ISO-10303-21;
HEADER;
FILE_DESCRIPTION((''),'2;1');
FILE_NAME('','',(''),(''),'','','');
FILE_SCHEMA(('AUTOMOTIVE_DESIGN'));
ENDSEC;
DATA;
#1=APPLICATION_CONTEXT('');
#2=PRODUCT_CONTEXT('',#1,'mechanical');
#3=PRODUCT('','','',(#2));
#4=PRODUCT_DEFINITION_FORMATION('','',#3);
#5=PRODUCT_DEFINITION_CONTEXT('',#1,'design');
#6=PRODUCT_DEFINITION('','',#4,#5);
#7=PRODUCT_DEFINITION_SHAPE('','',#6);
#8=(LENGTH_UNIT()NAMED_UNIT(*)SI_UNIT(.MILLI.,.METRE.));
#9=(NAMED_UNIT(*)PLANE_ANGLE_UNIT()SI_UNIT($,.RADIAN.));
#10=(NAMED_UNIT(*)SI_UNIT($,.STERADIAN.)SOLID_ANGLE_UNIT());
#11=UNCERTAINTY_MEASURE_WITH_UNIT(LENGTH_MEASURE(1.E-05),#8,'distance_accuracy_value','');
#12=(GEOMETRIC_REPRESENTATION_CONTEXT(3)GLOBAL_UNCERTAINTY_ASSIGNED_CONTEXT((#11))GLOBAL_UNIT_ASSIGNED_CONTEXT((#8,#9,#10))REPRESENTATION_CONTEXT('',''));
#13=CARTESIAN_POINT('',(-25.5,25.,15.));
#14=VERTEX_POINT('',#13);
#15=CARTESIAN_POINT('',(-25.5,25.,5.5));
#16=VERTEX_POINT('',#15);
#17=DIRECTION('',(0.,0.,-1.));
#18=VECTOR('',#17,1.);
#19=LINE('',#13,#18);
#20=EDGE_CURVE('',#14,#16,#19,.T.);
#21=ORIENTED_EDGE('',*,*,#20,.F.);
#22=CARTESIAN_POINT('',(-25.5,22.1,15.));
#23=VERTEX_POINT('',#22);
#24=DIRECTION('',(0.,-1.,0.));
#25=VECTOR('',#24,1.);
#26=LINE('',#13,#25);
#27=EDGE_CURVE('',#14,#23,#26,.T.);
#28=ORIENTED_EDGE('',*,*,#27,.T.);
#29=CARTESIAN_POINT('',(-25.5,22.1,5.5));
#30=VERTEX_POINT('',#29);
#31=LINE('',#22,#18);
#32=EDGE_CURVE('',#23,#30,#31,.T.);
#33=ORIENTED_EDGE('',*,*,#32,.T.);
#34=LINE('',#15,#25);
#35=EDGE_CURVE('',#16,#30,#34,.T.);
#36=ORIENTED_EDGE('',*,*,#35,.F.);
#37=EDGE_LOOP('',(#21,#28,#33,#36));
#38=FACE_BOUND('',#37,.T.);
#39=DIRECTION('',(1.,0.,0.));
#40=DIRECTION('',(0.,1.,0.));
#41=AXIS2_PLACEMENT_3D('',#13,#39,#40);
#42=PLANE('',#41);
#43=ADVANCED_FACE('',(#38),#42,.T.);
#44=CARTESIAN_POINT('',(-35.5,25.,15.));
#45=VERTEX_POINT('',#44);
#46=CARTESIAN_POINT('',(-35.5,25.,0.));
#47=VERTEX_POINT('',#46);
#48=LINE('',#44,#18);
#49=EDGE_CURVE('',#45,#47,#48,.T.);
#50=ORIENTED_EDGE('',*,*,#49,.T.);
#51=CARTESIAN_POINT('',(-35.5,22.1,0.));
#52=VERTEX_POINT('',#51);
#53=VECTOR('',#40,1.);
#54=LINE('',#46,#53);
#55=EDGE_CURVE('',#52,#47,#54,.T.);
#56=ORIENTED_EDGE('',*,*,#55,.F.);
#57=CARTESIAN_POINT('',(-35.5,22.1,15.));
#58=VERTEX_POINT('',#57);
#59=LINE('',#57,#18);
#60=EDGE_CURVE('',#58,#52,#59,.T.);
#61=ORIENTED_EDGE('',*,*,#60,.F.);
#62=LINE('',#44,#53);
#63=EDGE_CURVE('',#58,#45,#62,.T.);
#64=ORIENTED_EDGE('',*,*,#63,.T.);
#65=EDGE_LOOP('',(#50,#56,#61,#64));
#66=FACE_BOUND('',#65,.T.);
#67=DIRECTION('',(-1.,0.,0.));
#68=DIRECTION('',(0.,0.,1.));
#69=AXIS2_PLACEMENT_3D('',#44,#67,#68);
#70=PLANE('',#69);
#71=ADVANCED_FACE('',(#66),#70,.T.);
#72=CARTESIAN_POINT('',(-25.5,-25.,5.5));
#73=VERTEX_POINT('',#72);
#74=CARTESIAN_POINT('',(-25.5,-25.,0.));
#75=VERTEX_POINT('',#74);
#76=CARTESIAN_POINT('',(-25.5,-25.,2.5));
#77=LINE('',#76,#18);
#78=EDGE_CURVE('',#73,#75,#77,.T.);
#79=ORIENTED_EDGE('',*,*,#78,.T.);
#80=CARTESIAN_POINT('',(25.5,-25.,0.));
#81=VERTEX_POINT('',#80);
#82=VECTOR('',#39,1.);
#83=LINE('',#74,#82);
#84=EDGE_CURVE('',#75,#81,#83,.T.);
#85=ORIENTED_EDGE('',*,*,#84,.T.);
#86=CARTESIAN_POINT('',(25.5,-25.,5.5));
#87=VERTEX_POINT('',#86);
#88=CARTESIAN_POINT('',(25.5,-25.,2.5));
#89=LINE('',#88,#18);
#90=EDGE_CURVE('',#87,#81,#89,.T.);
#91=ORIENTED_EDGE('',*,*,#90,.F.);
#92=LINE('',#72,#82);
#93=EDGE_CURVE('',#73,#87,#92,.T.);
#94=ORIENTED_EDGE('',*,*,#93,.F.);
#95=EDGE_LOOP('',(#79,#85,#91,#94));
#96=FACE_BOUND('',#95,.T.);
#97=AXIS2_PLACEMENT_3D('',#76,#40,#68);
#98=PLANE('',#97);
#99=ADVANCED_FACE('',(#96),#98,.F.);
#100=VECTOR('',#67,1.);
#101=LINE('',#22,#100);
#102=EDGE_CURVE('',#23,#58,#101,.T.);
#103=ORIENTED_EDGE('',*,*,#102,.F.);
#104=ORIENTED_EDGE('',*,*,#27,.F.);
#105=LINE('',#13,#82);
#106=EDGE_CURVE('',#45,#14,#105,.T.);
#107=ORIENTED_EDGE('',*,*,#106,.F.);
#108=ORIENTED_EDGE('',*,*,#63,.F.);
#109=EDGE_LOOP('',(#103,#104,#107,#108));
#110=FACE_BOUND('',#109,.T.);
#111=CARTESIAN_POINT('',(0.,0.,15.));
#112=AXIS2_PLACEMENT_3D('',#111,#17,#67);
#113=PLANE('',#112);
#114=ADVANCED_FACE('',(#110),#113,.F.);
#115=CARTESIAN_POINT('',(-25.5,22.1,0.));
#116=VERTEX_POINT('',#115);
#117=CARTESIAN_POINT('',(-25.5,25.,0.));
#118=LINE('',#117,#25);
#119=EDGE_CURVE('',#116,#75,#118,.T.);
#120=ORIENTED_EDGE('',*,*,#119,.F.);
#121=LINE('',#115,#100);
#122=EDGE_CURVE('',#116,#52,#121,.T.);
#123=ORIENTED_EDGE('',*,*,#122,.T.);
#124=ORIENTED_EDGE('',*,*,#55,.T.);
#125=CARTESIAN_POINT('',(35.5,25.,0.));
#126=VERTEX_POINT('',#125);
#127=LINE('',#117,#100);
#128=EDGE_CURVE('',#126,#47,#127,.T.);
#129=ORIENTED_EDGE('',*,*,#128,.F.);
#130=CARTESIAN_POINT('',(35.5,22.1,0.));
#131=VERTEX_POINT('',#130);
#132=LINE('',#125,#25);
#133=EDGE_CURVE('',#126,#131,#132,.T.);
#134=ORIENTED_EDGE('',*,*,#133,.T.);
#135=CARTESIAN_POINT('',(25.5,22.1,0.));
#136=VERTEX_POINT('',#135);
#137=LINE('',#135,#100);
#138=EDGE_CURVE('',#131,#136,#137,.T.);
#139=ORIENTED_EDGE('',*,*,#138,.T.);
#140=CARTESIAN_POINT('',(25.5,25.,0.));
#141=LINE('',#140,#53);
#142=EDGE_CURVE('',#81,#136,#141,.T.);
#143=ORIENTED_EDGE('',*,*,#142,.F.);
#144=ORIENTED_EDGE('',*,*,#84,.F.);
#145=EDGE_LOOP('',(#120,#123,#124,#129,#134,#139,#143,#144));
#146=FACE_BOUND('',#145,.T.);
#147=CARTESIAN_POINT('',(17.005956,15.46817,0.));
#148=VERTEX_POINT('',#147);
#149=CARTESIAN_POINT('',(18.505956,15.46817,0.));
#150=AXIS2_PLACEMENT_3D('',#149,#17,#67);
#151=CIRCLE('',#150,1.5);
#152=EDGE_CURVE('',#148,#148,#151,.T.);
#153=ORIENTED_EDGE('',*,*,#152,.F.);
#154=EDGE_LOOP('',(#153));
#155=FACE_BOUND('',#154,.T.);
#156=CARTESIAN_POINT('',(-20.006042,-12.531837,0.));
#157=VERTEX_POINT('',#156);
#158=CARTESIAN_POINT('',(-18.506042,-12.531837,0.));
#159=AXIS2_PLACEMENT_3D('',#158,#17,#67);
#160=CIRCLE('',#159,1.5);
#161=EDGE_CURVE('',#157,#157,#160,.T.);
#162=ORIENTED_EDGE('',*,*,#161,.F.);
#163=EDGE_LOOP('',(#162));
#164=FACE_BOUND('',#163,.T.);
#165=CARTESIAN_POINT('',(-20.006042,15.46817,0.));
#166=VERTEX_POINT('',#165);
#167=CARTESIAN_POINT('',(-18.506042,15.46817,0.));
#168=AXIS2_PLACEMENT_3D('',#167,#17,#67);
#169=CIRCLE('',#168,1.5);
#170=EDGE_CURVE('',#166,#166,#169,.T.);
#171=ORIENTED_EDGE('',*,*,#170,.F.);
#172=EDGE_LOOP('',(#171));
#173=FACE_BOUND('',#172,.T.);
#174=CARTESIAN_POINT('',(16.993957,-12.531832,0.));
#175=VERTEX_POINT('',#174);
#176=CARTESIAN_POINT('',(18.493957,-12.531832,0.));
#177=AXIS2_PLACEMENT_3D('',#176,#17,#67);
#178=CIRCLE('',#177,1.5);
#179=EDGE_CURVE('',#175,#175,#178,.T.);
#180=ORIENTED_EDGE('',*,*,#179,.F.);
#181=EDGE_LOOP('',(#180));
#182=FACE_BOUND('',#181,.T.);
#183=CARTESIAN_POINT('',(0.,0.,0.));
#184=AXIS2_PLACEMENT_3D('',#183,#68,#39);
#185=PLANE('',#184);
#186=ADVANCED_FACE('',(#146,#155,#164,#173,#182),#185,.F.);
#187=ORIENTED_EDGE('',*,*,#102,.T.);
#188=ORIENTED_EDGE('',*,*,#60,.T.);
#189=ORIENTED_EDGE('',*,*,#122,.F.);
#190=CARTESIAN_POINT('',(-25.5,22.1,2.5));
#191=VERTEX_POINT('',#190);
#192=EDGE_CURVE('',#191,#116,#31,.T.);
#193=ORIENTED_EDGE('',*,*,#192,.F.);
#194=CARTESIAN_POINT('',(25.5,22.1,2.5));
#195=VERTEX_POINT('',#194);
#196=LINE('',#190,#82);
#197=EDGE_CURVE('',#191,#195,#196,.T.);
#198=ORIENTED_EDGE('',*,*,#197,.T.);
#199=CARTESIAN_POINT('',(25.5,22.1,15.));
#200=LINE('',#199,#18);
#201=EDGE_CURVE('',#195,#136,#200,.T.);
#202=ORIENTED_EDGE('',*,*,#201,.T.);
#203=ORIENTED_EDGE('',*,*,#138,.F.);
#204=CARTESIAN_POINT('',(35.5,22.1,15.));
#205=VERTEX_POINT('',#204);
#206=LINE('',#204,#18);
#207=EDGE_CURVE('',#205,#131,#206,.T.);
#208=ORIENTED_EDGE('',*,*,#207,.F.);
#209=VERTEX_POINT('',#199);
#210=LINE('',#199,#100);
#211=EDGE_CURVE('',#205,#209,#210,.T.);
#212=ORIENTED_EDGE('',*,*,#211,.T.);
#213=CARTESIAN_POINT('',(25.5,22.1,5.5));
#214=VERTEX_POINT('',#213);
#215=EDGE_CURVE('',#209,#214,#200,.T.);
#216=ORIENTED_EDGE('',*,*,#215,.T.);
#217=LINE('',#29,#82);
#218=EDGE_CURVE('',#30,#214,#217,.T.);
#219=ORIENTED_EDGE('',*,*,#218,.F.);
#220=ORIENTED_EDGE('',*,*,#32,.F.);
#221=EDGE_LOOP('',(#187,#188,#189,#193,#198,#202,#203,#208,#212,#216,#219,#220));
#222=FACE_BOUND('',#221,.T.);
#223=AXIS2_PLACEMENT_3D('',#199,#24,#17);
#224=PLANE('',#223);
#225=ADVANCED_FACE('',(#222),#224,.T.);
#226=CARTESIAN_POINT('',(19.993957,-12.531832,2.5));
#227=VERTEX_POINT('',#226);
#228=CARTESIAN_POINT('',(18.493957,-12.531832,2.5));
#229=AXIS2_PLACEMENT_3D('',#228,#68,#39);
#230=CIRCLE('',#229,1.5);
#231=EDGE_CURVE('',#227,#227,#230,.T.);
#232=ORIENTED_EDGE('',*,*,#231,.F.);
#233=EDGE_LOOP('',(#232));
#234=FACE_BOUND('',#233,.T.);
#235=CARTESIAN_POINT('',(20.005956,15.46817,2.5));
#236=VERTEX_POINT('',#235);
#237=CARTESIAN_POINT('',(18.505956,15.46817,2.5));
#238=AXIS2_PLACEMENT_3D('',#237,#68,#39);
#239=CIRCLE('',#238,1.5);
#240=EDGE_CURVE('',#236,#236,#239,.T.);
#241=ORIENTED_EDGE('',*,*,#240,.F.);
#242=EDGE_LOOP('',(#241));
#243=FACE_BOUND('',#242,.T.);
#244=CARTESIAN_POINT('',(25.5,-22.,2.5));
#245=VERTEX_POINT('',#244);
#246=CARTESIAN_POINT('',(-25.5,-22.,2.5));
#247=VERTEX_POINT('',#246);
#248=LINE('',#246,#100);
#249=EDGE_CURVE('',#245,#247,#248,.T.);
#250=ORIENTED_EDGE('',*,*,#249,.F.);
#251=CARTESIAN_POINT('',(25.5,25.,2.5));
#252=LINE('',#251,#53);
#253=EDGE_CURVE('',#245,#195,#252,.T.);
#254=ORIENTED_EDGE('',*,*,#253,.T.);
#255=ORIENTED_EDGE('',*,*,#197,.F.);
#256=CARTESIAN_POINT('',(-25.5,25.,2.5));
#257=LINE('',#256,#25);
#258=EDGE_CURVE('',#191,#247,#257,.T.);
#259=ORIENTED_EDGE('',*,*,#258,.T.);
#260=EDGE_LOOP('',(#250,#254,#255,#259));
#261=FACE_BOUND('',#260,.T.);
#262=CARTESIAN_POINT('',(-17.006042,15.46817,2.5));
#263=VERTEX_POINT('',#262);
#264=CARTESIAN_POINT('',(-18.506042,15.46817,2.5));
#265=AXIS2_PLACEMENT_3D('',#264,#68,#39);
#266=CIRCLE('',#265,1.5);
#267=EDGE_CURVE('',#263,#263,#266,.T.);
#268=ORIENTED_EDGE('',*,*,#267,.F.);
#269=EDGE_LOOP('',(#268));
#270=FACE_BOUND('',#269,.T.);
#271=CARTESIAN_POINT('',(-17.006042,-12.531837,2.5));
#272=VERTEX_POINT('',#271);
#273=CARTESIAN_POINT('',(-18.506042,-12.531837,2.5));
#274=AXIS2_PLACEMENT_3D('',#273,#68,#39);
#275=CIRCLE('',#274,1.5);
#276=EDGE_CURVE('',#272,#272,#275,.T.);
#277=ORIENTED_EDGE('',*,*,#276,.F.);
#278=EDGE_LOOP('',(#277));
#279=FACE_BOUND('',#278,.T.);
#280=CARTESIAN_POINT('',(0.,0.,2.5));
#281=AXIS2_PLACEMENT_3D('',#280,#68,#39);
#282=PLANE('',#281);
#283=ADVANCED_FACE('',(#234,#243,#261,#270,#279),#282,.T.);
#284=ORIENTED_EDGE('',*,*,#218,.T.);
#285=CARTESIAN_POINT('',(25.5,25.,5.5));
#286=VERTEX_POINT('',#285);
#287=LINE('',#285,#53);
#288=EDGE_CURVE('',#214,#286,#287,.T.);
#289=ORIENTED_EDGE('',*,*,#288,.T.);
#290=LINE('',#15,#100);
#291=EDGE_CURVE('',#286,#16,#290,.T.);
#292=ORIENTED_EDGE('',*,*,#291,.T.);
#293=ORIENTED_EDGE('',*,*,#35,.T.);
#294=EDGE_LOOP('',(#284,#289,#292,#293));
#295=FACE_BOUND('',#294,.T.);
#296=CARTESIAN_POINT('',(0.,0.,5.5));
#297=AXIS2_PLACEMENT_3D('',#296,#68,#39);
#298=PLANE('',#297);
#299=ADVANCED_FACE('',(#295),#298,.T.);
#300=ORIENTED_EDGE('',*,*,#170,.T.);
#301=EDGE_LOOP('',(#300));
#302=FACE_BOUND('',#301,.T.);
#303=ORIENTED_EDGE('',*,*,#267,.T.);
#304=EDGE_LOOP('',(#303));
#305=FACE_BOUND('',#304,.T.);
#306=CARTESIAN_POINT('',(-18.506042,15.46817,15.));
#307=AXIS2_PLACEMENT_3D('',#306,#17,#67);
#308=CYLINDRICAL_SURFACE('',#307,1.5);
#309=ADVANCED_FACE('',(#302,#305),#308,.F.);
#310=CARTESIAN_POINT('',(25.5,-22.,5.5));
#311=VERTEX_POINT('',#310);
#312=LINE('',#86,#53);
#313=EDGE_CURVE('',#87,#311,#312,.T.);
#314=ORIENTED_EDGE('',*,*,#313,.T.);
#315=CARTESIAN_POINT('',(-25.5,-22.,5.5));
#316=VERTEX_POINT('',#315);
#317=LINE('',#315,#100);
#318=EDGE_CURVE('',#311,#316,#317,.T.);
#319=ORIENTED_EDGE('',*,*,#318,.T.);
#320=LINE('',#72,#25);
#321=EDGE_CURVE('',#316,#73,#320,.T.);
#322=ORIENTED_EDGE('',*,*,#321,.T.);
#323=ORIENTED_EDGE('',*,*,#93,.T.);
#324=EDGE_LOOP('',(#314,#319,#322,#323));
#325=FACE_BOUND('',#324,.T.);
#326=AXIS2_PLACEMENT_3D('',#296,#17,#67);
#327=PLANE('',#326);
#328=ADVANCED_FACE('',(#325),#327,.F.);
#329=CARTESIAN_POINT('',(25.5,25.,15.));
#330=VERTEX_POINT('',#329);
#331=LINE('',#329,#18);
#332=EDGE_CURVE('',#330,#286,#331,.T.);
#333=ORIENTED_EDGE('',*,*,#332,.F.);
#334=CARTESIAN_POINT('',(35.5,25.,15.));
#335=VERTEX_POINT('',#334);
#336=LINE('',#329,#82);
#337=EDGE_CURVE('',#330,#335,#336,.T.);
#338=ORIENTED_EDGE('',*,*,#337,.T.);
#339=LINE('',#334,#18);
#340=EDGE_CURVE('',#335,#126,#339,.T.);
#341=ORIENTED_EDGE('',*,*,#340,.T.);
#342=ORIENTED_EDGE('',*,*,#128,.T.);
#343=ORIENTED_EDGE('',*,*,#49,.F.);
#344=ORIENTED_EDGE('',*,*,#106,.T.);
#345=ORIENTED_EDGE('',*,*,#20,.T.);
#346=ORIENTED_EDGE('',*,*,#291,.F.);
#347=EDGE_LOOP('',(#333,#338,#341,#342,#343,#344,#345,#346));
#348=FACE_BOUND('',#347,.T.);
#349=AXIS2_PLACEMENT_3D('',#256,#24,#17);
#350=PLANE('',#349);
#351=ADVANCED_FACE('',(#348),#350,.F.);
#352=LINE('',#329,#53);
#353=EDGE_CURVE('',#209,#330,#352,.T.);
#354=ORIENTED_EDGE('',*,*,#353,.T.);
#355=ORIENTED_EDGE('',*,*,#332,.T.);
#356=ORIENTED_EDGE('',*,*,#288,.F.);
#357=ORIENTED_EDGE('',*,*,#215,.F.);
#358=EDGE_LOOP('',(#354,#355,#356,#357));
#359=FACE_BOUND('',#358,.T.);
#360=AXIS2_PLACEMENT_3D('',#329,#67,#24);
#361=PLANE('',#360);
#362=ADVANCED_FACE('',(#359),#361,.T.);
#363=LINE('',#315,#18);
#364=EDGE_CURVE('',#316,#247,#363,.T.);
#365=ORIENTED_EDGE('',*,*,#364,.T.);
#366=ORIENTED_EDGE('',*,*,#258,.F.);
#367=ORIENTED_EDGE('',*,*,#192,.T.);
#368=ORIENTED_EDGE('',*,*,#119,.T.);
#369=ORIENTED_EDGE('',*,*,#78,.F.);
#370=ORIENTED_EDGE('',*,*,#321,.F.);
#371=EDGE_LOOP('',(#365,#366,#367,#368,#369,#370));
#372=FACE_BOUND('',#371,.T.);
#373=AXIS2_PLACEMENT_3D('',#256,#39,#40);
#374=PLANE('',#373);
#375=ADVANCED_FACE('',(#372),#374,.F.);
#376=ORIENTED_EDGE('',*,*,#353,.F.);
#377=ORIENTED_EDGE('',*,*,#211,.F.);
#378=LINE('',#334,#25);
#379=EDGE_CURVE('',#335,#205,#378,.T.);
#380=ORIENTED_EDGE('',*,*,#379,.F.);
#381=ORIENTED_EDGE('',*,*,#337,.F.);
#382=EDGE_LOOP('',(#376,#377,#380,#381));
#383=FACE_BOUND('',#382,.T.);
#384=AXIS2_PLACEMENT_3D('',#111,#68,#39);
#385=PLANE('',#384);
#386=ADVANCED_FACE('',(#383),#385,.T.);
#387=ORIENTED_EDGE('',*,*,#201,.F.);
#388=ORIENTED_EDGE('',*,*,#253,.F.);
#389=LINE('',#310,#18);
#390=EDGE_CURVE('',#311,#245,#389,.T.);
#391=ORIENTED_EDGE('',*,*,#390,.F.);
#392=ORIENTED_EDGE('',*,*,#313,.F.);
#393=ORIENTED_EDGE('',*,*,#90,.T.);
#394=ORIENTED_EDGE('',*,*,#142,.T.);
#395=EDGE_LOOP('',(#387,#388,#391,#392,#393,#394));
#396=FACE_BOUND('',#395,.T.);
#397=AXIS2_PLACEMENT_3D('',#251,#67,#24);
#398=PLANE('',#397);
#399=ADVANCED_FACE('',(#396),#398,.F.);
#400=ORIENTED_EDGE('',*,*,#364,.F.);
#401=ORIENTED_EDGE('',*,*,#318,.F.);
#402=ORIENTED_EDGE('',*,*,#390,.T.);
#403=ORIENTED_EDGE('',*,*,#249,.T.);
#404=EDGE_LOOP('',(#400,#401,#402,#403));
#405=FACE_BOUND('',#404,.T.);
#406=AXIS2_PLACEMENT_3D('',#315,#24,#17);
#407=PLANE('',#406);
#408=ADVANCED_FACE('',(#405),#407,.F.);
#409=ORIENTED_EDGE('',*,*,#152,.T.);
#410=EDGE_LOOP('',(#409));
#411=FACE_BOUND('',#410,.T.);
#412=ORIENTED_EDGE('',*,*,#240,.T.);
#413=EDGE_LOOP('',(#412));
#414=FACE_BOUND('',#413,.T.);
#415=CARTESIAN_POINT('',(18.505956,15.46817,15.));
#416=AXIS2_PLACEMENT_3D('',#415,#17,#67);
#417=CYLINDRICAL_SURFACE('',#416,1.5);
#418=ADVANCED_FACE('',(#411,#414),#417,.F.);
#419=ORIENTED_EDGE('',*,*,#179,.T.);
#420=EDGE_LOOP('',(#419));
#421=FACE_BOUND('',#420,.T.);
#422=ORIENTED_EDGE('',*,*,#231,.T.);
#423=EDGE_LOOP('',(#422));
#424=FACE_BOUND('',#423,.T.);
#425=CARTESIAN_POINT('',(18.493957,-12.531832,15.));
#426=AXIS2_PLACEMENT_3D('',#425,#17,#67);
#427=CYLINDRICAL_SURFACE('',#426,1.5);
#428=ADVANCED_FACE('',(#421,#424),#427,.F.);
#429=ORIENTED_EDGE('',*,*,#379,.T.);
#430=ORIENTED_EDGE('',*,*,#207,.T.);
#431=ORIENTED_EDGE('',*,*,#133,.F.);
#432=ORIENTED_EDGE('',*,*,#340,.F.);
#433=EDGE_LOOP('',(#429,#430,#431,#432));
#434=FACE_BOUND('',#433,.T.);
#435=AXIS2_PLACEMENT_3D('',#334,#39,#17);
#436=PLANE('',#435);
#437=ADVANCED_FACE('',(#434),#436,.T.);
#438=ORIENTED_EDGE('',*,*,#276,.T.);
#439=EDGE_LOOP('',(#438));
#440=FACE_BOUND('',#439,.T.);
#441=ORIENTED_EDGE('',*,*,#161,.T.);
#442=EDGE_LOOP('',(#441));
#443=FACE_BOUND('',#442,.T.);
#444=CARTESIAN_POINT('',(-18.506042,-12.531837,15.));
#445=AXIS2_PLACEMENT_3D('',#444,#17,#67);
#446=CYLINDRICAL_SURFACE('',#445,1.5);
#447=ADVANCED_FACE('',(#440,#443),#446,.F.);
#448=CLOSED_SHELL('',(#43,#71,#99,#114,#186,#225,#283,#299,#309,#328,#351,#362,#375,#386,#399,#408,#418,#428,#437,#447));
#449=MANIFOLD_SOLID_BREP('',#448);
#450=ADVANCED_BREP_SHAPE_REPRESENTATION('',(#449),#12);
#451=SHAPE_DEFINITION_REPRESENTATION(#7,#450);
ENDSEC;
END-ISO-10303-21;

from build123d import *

# Parameters (mm, degrees)
ESQUISSE1_W             = 51
ESQUISSE1_H             = 50
BOSS_EXTRU_1_DEPTH      = 2.5
ESQUISSE2_W             = 10
ESQUISSE2_H             = 2.9
BOSS_EXTRU_2_DEPTH      = 15
ESQUISSE3_W             = 51
ESQUISSE3_H             = 2.9
ESQUISSE3_H_2           = 3
BOSS_EXTRU_3_DEPTH      = 3
ESQUISSE4_R             = 1.5
ENL_V_MAT_EXTRU_1_DEPTH = 46.937457483


with BuildPart() as part:
    # Esquisse1 → Boss.-Extru.1 (new body)
    with BuildSketch(Plane.XY):
        Rectangle(ESQUISSE1_W, ESQUISSE1_H)
    extrude(amount=BOSS_EXTRU_1_DEPTH)

    # Esquisse2 → Boss.-Extru.2 (add)
    with BuildSketch(Plane(origin=(0, 0, 0), x_dir=(-1, 0, 0), z_dir=(0, 0, -1))):
        with Locations((-30.5, 23.55)):
            Rectangle(ESQUISSE2_W, ESQUISSE2_H)
        with Locations((30.5, 23.55)):
            Rectangle(ESQUISSE2_W, ESQUISSE2_H)
    extrude(amount=-BOSS_EXTRU_2_DEPTH)

    # Esquisse3 → Boss.-Extru.3 (add)
    with BuildSketch(Plane.XY.offset(2.5)):
        with Locations((0, 23.55)):
            Rectangle(ESQUISSE3_W, ESQUISSE3_H)
        with Locations((0, -23.5)):
            Rectangle(ESQUISSE3_W, ESQUISSE3_H_2)
    extrude(amount=BOSS_EXTRU_3_DEPTH)

    # Esquisse4 → Enlèv. mat.-Extru.1 (cut, through all)
    with BuildSketch(Plane(origin=(0, 0, 0), x_dir=(-1, 0, 0), z_dir=(0, 0, -1))):
        with Locations((18.506042036, -12.531837257)):
            Circle(ESQUISSE4_R)
        with Locations((-18.493956712, -12.531832115)):
            Circle(ESQUISSE4_R)
        with Locations((-18.505955671, 15.468170274)):
            Circle(ESQUISSE4_R)
        with Locations((18.506042036, 15.468170274)):
            Circle(ESQUISSE4_R)
    extrude(amount=-ENL_V_MAT_EXTRU_1_DEPTH, mode=Mode.SUBTRACT)


solid = part.part
